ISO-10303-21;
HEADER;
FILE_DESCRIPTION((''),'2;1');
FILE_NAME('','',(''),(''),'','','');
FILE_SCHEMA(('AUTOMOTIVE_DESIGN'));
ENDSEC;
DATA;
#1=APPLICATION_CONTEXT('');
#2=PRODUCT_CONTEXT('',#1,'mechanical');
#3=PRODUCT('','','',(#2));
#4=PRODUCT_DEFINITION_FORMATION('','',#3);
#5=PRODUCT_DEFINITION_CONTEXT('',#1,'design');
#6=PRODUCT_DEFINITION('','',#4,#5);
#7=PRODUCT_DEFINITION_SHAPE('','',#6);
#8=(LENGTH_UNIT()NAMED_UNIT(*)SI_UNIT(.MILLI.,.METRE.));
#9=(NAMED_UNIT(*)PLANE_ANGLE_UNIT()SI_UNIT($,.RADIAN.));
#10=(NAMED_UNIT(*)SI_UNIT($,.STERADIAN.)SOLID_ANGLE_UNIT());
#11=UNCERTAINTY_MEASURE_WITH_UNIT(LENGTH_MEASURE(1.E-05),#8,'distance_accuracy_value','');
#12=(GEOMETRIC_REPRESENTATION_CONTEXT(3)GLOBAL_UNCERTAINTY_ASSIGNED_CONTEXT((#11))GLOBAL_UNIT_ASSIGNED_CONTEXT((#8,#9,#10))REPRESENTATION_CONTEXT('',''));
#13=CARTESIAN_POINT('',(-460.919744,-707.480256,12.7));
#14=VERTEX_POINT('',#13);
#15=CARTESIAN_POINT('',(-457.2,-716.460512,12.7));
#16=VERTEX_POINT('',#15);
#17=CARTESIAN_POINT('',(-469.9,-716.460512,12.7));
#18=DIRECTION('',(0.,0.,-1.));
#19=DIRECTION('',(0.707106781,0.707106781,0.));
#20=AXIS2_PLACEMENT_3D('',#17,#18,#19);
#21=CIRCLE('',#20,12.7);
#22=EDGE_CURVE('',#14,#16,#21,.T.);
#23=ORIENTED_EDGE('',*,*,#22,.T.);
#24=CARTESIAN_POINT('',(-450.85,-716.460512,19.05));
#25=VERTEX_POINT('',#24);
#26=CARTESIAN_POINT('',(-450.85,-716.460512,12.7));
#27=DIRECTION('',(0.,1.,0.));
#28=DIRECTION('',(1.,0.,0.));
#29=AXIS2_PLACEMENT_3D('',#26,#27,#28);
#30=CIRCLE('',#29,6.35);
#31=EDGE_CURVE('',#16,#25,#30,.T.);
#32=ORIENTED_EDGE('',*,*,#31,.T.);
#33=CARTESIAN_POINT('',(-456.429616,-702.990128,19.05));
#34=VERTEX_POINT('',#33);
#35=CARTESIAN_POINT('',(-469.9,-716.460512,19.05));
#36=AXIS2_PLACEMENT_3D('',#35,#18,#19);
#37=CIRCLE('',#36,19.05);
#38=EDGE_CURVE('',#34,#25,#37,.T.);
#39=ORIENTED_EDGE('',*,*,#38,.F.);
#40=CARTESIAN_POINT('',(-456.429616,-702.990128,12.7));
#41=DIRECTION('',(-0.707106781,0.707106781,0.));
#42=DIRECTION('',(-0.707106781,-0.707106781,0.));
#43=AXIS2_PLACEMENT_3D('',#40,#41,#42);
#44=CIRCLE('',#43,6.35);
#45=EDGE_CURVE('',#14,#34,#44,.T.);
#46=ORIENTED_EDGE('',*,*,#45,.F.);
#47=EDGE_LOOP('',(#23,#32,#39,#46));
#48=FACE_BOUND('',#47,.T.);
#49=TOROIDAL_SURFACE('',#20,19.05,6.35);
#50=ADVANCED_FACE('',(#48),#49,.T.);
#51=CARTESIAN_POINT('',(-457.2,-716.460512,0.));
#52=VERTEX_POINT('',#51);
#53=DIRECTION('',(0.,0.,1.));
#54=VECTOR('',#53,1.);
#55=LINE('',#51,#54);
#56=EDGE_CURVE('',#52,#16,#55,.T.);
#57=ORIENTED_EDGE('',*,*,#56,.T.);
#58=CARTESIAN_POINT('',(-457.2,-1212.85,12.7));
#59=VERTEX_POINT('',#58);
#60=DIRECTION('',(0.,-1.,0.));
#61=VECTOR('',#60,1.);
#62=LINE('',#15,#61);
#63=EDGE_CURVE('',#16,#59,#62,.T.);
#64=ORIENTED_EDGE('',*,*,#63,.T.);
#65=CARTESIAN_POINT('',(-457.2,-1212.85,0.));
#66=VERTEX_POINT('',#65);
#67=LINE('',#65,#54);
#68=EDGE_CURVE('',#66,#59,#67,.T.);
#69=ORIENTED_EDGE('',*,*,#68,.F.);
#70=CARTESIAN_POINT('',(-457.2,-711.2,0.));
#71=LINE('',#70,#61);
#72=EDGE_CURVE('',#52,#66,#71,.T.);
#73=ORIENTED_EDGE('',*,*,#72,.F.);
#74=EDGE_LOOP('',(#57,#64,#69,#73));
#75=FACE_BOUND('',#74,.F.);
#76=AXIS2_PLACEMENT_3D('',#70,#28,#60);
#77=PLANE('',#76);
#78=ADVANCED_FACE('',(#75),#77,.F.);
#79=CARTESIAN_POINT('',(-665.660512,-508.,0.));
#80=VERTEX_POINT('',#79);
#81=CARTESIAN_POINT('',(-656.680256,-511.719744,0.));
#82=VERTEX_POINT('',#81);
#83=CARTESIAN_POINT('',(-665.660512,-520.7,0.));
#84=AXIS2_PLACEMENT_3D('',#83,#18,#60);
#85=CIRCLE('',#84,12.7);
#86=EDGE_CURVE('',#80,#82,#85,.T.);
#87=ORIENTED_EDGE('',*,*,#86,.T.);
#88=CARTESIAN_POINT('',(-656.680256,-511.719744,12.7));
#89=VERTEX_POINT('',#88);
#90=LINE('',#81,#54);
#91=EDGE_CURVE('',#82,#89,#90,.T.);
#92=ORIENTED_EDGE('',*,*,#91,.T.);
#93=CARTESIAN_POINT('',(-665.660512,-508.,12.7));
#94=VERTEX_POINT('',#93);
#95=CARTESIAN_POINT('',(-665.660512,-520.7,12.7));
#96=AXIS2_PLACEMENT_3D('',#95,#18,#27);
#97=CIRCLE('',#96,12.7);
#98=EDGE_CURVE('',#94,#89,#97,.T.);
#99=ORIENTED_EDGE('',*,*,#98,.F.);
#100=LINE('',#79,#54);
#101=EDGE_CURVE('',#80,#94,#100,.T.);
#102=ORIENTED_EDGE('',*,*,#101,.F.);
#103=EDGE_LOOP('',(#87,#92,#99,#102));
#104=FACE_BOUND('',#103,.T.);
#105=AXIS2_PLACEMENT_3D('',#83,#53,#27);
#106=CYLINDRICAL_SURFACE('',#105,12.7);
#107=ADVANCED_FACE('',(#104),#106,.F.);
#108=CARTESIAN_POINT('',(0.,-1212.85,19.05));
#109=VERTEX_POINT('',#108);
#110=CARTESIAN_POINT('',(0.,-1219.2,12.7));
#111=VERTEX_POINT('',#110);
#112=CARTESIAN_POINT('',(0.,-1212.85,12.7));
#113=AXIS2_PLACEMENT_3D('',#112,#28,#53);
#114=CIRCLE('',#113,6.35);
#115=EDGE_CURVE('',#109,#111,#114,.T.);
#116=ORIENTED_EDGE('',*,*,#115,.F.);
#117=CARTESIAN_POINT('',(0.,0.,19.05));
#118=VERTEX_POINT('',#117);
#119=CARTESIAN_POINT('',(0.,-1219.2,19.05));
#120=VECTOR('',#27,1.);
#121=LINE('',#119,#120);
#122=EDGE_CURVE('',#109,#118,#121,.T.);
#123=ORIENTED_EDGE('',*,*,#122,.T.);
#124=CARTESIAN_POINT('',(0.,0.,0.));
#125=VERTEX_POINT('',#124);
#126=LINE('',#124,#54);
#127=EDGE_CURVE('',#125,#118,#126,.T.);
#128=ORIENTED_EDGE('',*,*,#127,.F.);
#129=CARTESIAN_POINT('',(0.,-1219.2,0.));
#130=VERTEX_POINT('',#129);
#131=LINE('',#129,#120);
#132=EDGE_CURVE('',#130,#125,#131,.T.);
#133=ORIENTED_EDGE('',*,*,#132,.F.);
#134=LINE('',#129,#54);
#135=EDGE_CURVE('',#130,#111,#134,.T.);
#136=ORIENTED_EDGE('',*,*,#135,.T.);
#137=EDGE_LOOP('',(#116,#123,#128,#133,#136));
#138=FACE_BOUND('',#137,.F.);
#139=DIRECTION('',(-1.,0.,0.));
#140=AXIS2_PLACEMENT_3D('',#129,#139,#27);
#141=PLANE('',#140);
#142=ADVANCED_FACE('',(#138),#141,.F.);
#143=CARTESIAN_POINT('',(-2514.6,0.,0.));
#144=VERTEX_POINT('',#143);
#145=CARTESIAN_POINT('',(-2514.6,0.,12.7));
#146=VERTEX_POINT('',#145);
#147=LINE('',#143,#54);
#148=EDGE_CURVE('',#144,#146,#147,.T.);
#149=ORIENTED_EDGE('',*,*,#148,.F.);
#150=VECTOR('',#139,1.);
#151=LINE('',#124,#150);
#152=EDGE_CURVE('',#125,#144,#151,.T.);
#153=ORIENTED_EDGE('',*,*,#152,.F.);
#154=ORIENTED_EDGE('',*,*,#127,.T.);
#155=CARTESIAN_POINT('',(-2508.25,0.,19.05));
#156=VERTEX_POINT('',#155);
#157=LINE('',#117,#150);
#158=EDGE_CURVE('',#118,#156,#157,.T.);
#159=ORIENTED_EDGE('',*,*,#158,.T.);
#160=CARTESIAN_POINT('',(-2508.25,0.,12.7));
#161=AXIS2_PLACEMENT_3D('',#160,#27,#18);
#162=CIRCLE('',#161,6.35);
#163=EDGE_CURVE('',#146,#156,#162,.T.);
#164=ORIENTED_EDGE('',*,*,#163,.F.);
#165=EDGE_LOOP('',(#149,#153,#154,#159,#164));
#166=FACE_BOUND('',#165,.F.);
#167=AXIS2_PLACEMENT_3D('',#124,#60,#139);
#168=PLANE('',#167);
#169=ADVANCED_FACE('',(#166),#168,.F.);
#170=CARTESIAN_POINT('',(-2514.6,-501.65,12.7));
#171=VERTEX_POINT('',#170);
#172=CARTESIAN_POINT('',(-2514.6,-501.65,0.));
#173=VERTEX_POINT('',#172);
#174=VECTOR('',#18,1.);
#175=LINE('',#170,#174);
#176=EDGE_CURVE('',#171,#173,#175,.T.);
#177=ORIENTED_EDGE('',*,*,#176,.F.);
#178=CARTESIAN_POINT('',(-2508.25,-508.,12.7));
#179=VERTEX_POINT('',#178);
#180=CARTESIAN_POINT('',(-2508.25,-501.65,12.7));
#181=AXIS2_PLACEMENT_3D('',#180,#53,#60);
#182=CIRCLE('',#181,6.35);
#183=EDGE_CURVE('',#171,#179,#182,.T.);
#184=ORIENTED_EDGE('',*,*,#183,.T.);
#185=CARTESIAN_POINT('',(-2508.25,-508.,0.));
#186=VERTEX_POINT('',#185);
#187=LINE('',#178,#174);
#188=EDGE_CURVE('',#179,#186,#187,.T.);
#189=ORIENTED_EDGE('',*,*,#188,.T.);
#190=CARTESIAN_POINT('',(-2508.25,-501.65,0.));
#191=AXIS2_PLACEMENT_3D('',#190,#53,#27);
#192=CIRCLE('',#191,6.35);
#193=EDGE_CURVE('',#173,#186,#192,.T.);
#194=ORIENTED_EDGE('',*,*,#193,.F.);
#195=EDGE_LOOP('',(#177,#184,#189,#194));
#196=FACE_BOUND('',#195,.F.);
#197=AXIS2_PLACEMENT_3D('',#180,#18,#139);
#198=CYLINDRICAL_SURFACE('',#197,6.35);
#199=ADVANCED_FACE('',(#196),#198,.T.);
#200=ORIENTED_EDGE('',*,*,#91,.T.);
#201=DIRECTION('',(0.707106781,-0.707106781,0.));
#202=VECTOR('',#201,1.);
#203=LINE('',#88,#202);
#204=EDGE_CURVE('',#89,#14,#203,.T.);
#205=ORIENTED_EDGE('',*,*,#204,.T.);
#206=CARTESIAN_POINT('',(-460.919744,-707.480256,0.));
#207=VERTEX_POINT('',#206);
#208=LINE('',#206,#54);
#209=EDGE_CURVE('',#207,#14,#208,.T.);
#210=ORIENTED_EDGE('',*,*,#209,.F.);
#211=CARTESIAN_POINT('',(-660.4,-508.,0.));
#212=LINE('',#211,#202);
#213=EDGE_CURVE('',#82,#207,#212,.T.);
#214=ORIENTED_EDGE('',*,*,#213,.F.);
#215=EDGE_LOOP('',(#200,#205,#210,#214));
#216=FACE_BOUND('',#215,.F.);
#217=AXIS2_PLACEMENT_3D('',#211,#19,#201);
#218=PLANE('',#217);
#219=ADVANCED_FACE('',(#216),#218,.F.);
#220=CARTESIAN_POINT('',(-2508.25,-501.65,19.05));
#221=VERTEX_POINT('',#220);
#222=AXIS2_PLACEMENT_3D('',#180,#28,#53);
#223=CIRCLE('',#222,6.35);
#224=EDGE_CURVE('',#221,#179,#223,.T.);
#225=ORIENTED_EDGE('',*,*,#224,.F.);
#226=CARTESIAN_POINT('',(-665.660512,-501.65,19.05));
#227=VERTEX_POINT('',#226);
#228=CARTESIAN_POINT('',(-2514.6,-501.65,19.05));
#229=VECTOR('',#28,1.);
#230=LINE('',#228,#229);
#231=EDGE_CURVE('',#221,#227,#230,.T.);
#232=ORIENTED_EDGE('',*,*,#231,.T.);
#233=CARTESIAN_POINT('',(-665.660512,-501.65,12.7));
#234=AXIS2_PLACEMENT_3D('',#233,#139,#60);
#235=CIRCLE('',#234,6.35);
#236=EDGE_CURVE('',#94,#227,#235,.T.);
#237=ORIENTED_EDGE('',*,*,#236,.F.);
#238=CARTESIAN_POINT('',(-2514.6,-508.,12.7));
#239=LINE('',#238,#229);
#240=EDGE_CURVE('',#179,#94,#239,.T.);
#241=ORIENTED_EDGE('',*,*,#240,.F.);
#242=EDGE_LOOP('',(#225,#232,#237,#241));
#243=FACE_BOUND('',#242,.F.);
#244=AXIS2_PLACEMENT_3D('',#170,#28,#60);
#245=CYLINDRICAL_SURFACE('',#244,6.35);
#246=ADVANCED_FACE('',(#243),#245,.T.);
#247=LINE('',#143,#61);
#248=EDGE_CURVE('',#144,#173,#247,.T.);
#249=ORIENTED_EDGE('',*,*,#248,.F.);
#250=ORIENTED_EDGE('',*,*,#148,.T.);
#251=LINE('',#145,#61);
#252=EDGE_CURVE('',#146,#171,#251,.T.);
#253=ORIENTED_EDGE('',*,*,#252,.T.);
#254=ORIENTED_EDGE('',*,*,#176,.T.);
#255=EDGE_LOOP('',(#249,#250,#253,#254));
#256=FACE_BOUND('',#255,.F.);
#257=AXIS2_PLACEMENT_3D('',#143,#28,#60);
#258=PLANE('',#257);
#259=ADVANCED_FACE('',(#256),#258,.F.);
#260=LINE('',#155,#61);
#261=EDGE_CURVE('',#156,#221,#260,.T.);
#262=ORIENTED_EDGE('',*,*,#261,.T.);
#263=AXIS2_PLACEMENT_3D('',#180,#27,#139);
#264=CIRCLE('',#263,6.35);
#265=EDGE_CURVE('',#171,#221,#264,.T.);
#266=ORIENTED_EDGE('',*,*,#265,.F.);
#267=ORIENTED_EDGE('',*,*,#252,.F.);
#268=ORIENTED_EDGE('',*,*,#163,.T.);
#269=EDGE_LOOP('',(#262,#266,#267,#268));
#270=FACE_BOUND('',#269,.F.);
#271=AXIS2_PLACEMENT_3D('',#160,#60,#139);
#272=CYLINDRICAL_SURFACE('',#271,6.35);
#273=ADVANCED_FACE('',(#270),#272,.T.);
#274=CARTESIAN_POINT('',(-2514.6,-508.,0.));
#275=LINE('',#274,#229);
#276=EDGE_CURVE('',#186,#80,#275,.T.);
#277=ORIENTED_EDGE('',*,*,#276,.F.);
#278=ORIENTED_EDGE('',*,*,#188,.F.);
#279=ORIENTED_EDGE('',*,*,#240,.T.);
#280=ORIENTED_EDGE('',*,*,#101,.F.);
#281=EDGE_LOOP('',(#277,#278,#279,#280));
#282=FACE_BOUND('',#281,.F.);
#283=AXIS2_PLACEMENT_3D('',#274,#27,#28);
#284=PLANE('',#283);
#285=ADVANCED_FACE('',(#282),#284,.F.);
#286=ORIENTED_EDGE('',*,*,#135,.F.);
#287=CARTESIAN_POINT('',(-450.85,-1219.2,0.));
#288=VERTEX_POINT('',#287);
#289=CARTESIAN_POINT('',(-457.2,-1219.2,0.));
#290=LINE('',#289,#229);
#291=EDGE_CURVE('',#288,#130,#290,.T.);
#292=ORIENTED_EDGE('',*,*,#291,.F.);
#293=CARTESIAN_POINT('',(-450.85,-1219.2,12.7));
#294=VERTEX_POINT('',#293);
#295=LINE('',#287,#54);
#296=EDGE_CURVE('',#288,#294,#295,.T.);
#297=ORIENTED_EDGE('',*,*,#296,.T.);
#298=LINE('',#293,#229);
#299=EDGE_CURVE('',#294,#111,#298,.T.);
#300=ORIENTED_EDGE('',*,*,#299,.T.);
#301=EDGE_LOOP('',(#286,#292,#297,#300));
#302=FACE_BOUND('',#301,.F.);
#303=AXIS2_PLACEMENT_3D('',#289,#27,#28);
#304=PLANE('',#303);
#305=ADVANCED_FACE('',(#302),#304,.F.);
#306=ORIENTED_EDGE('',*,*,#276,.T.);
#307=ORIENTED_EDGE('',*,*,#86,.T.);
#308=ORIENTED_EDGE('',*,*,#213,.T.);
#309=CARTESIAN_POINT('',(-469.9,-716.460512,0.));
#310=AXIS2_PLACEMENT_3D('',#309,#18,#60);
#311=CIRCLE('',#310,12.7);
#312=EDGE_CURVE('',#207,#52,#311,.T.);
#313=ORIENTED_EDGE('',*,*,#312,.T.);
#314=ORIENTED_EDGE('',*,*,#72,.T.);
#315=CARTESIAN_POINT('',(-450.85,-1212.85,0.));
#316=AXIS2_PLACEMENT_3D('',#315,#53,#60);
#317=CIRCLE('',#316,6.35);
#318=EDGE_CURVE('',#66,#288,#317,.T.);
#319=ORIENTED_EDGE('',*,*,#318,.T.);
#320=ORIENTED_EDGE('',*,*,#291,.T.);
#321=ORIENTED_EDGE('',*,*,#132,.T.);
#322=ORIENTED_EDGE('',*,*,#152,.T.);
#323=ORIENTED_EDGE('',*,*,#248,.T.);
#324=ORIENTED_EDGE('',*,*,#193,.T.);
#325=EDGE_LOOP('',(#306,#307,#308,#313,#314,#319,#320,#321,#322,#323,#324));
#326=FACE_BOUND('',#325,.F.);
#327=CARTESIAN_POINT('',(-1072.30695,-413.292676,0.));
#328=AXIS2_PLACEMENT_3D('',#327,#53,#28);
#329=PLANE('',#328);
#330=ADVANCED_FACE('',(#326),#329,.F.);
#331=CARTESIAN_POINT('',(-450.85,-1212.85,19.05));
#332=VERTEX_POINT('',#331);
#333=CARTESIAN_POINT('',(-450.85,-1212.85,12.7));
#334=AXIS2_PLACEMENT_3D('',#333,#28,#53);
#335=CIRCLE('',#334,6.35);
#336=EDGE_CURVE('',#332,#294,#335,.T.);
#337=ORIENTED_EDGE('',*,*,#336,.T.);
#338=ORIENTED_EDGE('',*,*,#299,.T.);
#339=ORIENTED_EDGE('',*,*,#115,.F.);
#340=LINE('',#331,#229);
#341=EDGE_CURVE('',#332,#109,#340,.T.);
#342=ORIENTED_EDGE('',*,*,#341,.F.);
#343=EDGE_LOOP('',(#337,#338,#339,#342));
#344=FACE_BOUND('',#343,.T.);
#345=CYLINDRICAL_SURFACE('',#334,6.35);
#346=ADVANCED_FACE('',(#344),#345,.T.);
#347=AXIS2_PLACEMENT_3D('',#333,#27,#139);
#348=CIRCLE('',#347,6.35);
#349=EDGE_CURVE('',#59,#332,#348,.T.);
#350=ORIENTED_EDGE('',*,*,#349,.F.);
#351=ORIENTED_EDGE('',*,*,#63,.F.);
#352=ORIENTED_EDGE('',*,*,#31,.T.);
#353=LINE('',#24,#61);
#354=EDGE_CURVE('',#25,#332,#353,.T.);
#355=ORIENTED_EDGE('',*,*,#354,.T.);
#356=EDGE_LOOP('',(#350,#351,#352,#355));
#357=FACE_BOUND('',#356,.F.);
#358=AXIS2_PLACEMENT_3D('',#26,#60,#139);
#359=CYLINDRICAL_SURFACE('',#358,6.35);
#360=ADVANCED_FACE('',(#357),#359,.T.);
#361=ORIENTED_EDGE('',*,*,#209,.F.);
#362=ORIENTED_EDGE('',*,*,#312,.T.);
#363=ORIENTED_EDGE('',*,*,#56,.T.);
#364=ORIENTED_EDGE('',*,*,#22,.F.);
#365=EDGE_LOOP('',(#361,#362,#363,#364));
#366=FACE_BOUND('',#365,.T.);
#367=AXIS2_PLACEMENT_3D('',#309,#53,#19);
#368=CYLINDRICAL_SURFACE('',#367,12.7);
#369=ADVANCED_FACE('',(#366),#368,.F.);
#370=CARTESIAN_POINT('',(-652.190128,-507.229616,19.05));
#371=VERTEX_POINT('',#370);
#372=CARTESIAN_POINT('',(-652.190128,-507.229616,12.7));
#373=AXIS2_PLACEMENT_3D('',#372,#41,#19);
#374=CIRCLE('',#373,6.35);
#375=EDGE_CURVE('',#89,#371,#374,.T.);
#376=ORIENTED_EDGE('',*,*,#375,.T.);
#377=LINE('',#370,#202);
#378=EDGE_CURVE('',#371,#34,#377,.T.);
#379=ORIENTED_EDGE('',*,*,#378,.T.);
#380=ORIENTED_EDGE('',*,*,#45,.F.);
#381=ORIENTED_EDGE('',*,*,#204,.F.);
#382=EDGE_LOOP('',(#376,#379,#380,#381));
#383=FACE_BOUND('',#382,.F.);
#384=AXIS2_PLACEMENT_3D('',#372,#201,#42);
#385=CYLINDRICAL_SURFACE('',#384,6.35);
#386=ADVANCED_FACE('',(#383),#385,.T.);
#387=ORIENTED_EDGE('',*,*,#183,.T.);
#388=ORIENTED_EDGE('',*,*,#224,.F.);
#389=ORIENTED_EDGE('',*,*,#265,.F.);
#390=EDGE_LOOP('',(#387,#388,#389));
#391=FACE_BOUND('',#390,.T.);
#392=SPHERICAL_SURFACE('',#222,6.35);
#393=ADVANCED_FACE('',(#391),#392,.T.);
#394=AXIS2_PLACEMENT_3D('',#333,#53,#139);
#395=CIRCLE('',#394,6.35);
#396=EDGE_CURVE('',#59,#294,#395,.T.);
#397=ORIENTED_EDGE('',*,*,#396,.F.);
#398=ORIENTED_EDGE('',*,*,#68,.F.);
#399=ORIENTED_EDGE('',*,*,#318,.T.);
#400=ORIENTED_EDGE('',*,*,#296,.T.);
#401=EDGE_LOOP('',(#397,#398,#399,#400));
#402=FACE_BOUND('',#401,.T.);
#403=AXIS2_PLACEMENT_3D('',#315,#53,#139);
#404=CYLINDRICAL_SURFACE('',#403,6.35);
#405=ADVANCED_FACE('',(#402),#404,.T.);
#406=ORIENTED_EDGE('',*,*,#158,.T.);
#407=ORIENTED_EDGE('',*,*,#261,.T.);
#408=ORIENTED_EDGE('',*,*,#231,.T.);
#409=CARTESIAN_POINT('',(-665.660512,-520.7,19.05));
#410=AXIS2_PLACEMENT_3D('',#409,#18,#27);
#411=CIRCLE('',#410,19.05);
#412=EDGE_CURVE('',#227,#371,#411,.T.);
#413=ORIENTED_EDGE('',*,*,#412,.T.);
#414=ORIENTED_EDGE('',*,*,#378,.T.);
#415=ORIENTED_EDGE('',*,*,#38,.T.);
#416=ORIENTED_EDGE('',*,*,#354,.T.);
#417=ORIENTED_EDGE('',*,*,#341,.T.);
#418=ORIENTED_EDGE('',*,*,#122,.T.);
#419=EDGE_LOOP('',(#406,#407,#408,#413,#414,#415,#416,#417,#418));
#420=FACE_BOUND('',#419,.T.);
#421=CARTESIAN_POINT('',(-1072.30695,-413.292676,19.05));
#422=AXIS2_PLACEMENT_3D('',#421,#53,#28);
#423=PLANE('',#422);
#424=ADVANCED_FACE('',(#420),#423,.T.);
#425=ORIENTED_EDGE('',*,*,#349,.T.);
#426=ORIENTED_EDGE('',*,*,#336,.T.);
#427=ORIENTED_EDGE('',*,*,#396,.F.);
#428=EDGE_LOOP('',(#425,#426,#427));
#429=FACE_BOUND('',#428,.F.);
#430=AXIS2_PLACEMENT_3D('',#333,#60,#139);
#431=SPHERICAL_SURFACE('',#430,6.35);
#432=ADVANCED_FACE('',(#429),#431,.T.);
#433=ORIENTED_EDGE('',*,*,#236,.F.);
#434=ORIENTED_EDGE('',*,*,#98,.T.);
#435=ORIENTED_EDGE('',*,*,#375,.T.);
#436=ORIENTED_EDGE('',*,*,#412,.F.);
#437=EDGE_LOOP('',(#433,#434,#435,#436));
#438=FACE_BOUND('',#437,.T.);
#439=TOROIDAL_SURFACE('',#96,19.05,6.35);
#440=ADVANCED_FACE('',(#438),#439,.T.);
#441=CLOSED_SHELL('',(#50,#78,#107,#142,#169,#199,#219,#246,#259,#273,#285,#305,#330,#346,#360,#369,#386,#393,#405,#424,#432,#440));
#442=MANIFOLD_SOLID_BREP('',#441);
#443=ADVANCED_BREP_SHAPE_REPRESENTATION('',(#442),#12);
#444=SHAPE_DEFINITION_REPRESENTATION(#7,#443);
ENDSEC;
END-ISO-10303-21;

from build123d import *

# Parameters (mm, degrees)
F1_DEPTH = 19.05
F2_R     = 12.7
F3_R     = 6.35
F4_R     = 6.35


with BuildPart() as f1:
    # F0 (on Top) → F1 (new body)
    with BuildSketch(Plane.XY):
        Polygon((0, -1219.2), (0, 0), (-2514.6, 0), (-2514.6, -508), (-660.4, -508), (-457.2, -711.2), (-457.2, -1219.2), align=None)
    extrude(amount=F1_DEPTH)

    # F2
    f2_edges = [f1.edges().sort_by_distance(p)[0] for p in [
        (-660.4, -508, 9.525),
        (-457.2, -711.2, 9.525),
    ]]
    fillet(f2_edges, radius=F2_R)

    # F3
    f3_edges = [f1.edges().sort_by_distance(p)[0] for p in [
        (-1590.130256, -508, 19.05),
    ]]
    fillet(f3_edges, radius=F3_R)

    # F4
    f4_edges = [f1.edges().sort_by_distance(p)[0] for p in [
        (-225.425, -1219.2, 19.05),
        (-2514.6, -250.825, 19.05),
    ]]
    fillet(f4_edges, radius=F4_R)


solid = f1.part
